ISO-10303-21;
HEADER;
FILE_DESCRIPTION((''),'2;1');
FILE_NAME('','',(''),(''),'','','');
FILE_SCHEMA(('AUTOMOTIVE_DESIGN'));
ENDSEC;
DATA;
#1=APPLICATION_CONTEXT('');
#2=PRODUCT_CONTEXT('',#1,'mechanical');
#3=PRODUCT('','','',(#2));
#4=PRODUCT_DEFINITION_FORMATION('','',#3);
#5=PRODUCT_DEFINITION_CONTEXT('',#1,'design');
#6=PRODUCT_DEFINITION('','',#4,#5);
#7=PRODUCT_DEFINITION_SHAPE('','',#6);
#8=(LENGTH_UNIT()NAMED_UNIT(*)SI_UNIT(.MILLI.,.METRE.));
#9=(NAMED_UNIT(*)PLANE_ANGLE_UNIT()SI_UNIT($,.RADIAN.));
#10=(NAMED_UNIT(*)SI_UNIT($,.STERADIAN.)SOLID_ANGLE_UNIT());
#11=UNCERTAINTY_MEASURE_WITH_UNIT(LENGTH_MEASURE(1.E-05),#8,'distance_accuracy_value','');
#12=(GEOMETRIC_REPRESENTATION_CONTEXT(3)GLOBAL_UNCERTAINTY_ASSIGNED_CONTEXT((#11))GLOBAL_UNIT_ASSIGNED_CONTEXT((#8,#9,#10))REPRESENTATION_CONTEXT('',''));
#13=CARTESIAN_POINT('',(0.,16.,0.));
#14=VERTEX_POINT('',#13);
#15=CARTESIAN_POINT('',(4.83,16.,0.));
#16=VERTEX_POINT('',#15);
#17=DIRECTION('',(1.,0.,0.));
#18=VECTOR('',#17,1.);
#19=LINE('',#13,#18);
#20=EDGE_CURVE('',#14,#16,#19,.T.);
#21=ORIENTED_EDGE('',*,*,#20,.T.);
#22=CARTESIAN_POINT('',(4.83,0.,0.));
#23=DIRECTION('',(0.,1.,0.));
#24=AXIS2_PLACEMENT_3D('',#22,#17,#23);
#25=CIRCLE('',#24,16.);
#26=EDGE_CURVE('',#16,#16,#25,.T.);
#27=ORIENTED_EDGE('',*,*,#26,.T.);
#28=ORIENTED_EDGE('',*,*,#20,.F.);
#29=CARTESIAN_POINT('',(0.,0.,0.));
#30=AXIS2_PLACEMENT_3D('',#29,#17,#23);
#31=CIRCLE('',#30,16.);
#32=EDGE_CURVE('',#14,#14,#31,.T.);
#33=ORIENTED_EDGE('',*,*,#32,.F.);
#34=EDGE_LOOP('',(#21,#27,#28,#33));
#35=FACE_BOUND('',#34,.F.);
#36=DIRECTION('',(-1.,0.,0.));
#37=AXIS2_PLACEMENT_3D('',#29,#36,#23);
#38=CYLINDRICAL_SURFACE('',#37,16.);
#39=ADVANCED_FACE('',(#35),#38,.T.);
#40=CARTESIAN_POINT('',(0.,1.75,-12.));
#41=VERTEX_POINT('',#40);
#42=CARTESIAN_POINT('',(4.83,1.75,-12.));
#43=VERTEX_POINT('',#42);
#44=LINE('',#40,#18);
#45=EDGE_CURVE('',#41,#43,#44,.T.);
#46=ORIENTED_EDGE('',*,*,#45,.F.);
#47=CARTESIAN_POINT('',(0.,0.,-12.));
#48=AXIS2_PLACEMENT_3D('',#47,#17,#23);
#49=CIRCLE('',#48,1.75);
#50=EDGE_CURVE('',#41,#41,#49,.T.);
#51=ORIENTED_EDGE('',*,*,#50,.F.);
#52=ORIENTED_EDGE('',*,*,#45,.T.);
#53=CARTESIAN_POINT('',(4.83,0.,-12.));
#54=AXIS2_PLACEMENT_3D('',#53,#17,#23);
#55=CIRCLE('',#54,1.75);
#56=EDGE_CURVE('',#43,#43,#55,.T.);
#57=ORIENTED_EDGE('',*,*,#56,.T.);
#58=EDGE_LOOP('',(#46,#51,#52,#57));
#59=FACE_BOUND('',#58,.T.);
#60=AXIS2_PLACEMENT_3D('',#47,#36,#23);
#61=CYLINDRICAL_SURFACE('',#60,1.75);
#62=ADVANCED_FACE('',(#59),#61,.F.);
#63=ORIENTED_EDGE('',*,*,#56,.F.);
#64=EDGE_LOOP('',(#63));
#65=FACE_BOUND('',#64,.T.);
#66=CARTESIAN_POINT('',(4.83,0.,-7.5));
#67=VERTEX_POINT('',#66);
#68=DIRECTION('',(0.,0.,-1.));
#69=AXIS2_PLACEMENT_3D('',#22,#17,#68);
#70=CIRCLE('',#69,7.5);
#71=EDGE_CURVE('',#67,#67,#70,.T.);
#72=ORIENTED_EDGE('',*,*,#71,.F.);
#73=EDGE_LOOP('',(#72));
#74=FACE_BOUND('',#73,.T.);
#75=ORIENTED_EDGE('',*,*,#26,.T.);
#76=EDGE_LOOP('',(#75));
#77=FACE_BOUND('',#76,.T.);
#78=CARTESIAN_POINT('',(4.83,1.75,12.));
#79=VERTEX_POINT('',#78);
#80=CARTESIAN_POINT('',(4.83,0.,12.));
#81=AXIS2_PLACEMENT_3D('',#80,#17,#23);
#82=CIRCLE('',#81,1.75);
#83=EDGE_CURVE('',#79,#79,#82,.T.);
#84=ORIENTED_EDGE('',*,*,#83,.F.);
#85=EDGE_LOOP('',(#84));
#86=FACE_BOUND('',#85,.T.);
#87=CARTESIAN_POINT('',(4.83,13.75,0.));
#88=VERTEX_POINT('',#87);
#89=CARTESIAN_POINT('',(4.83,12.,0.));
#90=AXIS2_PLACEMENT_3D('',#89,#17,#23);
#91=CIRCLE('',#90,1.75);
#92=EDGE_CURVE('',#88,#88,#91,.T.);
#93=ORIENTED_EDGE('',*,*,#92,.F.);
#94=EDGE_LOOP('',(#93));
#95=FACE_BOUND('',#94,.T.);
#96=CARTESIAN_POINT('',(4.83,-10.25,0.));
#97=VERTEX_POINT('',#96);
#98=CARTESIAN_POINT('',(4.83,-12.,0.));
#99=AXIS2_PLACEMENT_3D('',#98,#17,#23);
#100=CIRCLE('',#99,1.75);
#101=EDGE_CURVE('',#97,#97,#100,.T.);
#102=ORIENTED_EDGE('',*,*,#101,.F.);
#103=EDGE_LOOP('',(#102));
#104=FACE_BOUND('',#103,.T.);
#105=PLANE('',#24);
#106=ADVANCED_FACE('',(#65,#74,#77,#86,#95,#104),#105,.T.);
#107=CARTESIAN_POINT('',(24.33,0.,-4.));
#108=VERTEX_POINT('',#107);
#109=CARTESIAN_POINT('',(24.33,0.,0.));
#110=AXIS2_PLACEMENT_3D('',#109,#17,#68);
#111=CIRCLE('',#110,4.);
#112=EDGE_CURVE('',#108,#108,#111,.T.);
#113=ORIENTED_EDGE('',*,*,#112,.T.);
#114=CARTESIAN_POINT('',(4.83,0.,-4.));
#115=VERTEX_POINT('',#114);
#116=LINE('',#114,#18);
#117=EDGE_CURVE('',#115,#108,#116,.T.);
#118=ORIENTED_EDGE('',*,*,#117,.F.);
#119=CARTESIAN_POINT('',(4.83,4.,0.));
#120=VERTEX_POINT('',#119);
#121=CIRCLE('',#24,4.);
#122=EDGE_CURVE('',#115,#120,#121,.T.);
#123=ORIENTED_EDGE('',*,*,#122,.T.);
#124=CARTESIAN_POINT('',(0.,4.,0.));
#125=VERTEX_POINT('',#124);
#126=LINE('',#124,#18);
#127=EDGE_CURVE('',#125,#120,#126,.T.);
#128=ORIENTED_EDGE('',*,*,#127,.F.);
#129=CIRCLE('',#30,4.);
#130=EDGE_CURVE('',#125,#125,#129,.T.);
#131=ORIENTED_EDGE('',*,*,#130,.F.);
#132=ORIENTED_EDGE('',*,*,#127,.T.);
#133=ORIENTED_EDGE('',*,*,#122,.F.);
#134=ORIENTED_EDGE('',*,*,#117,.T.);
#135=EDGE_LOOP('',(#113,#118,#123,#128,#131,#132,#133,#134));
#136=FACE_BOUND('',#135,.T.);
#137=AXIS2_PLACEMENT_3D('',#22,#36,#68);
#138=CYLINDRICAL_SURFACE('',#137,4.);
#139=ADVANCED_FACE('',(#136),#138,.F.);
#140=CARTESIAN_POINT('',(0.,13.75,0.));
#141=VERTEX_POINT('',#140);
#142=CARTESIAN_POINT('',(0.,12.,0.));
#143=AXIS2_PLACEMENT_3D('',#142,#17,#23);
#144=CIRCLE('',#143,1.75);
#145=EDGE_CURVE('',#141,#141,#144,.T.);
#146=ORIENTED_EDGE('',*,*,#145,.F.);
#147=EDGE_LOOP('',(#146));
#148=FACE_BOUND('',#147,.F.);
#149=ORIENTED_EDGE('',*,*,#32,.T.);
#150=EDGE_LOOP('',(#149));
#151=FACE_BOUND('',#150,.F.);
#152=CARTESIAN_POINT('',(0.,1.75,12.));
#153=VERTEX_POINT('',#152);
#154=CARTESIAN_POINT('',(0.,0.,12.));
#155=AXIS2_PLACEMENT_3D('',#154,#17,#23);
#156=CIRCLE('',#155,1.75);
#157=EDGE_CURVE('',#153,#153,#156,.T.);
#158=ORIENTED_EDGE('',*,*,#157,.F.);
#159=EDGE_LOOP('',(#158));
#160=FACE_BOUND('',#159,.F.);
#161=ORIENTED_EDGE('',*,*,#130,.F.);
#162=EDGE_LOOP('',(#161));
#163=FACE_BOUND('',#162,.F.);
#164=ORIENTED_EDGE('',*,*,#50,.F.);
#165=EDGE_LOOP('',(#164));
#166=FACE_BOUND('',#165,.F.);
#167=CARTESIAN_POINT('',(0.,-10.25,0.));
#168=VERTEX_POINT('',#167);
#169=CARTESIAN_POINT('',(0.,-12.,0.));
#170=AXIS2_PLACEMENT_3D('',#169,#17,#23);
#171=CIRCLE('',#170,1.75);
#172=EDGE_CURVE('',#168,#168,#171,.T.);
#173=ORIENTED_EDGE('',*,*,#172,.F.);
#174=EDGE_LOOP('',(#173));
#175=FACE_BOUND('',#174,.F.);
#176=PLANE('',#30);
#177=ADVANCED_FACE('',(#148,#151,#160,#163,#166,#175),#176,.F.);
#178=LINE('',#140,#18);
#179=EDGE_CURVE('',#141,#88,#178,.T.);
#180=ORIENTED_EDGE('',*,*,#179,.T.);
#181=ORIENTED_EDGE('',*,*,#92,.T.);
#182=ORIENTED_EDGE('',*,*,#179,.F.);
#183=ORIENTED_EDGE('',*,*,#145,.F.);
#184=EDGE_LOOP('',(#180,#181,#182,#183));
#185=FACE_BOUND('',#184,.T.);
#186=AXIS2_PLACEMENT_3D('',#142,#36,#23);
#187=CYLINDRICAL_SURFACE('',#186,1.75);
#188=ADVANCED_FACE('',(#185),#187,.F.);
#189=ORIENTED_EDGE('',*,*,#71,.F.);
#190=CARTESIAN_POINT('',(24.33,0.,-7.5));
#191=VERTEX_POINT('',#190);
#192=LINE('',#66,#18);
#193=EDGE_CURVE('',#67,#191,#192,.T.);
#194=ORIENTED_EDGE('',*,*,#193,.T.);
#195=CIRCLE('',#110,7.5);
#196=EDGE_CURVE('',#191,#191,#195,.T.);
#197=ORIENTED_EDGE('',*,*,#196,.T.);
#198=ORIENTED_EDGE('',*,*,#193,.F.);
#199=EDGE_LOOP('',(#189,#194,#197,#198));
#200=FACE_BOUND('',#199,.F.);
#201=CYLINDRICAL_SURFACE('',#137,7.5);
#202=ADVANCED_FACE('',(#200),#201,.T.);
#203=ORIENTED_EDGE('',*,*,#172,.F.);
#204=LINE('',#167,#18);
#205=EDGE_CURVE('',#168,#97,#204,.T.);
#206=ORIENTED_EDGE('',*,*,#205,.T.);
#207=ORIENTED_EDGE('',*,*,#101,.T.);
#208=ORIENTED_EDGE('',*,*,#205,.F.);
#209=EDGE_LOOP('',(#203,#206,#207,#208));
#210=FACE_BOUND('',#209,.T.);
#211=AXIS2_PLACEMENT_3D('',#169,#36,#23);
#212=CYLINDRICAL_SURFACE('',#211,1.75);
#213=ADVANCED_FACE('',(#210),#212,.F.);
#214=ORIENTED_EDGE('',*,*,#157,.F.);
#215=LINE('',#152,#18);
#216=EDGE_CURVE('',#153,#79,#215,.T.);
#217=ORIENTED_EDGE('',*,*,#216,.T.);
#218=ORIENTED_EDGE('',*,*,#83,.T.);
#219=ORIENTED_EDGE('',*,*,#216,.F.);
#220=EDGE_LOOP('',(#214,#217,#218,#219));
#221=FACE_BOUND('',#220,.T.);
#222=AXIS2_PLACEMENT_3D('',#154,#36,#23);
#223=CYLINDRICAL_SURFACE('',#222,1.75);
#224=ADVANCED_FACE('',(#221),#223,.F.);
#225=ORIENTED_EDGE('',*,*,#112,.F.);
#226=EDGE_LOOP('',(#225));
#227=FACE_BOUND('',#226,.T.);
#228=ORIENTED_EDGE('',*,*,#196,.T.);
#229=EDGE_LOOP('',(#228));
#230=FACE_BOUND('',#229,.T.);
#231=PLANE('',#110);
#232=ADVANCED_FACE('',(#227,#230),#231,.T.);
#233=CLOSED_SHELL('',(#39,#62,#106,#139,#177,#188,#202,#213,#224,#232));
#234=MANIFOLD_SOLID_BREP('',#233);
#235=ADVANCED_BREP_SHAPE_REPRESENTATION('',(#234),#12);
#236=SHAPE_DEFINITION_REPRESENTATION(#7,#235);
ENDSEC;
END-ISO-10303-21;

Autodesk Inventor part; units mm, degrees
ref_plane "YZ Plane" through (0, 0, 0) normal (1, 0, 0) x (0, 1, 0)
ref_plane "XZ Plane" through (0, 0, 0) normal (0, 1, 0) x (-1, 0, 0)
ref_plane "XY Plane" through (0, 0, 0) normal (0, 0, 1) x (1, 0, 0)
sketch "Sketch1" plane through (0, 0, 0) normal (1, 0, 0) x (0, 1, 0)
  circle A0 centre (0, 0) radius 16
  circle A1 centre (-12, 0) radius 1.75
  circle A2 centre (0, -12) radius 1.75
  circle A3 centre (12, 0) radius 1.75
  circle A4 centre (0, 12) radius 1.75
  circle A5 centre (0, 0) radius 7.5
  circle A6 centre (0, 0) radius 4
  dimension "d0" = 32
  dimension "d1" = 3.5
  dimension "d4" = 360
  dimension "d6" = 24
  dimension "d7" = 15
  dimension "d8" = 8
  dimension "d14" = 12
extrude "Extrusion1" add sketch "Sketch1" along normal blind 4.83 contours A0 | A5
sketch "Sketch2" plane through (4.83, 0, 0) normal (1, 0, 0) x (0, 0, -1)
  circle A0 centre (0, 0) radius 4 projected
  circle A1 centre (0, 0) radius 7.5
  point P0 (0, 0)
  dimension "d11" = 15
extrude "Extrusion2" add sketch "Sketch2" along normal blind 19.5
properties part number "linear bearing"
